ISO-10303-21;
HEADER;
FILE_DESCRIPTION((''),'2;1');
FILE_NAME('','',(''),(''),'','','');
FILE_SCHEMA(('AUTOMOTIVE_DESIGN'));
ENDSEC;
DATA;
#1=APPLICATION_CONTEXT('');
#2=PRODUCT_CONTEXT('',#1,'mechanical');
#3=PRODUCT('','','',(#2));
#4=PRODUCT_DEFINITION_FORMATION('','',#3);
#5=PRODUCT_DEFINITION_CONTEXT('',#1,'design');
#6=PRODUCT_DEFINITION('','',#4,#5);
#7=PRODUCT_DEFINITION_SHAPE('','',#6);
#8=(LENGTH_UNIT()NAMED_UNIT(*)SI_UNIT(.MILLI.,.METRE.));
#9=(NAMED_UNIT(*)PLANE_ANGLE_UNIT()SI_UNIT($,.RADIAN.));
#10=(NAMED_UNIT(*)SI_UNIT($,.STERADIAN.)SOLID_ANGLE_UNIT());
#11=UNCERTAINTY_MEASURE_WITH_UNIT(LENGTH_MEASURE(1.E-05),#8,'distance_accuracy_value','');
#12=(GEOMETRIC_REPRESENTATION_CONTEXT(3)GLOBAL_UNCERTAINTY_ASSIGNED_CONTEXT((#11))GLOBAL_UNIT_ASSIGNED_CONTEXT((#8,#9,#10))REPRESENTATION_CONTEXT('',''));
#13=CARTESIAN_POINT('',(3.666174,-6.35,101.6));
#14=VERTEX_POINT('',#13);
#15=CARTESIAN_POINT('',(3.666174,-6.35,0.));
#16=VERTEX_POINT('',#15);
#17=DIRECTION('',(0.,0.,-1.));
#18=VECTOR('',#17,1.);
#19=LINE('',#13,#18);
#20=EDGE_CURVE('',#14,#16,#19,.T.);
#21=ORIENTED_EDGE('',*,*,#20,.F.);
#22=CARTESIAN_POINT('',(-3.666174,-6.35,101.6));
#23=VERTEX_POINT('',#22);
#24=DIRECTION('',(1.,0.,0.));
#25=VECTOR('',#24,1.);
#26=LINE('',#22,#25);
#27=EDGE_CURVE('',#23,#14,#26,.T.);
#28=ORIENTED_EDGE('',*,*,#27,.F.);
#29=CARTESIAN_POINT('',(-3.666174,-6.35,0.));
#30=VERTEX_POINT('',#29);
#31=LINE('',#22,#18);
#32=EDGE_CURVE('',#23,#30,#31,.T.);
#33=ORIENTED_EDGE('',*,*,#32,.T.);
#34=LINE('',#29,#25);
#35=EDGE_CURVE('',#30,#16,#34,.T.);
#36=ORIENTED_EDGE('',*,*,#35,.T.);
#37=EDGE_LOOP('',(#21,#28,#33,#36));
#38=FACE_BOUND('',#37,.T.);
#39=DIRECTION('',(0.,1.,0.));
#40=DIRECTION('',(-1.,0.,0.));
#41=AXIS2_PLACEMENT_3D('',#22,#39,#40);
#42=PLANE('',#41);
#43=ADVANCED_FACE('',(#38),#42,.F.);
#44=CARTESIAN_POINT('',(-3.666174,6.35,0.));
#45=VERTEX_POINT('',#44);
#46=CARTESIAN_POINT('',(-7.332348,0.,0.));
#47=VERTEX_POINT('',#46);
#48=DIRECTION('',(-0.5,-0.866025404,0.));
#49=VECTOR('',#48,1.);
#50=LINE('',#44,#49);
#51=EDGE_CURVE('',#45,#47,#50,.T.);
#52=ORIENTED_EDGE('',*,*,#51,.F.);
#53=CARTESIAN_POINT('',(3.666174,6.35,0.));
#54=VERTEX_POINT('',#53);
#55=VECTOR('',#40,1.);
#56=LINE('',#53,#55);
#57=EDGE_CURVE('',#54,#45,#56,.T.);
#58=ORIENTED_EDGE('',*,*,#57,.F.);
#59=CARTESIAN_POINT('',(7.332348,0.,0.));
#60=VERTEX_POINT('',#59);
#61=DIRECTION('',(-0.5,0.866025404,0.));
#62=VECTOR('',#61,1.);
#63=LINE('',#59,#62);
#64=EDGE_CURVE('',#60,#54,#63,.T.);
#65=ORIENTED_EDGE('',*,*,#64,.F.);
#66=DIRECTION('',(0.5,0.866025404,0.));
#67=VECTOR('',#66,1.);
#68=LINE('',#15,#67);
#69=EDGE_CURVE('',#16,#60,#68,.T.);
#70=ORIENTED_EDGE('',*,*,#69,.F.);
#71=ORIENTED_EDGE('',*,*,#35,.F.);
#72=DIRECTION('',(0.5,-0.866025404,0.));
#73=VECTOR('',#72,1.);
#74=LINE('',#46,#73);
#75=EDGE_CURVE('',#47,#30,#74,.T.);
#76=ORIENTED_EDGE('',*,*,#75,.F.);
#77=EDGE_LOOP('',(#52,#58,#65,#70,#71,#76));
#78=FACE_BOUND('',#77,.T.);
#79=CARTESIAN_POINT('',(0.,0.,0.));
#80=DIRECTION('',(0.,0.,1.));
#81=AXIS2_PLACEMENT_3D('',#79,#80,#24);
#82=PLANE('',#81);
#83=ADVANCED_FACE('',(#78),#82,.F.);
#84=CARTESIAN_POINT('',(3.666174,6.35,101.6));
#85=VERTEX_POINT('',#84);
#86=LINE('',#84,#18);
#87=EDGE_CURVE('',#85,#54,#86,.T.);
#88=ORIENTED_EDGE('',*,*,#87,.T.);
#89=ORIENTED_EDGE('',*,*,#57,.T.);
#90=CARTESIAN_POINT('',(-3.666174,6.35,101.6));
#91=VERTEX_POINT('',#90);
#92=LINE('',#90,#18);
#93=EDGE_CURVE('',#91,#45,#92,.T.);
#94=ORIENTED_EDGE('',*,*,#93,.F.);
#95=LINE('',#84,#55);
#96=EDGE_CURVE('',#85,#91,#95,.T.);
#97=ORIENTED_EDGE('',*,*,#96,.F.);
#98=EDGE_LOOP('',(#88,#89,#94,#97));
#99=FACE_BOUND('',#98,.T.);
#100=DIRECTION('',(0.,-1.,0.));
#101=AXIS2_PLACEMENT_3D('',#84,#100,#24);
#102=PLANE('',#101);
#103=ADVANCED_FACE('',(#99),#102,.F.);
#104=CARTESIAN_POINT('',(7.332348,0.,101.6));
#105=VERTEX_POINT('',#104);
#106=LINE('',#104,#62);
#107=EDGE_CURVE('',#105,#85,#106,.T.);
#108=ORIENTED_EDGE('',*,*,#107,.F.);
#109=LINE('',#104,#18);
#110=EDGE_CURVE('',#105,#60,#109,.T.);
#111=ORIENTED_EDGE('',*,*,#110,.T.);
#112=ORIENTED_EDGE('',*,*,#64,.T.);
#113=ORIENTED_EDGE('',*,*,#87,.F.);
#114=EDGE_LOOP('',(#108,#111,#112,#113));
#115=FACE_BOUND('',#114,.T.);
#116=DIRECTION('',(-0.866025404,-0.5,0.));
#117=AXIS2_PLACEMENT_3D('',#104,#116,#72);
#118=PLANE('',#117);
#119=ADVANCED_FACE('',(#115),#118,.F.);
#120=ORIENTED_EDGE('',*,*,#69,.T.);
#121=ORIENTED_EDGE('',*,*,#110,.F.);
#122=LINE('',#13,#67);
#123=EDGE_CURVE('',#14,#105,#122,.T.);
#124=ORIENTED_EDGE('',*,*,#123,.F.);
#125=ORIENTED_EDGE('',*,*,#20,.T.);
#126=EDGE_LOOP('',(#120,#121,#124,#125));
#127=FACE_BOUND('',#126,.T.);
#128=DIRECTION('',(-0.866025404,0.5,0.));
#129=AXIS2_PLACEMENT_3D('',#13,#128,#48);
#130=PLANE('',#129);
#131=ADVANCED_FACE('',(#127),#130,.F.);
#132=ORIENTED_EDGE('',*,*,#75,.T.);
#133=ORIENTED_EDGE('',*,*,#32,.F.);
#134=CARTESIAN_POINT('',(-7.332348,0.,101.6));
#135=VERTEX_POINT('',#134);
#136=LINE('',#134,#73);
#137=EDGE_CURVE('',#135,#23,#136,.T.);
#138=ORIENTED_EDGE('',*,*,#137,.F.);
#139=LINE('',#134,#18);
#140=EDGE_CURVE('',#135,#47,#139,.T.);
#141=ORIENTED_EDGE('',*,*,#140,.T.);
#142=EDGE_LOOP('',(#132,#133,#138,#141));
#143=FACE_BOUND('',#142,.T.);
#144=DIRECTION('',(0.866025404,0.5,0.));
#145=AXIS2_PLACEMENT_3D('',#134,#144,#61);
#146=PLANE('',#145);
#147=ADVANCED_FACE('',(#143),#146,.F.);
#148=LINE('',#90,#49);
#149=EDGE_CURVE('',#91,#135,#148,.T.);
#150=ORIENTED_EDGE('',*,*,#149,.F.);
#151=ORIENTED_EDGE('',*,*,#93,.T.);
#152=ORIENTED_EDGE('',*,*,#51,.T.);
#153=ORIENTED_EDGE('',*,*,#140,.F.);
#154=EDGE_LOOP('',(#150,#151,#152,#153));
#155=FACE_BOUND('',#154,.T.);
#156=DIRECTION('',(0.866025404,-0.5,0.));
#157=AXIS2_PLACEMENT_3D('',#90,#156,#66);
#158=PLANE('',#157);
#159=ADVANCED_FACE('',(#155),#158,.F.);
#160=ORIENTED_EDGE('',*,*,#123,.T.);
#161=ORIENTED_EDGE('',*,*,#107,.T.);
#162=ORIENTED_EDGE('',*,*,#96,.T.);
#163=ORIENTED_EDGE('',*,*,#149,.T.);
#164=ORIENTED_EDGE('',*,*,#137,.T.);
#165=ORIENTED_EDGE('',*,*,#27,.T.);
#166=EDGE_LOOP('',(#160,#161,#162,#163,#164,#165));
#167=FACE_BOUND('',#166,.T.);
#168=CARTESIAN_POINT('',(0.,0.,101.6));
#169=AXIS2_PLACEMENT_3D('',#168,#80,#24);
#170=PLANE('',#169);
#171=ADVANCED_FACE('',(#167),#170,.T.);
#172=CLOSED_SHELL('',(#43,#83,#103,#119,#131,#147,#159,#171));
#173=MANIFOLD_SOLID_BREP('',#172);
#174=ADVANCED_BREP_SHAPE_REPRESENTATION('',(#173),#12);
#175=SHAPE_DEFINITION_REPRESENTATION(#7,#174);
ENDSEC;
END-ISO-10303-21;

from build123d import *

# Parameters (mm, degrees)
BOSS_EXTRUDE1_DEPTH = 101.6


with BuildPart() as part:
    # Sketch1 → Boss-Extrude1 (new body)
    with BuildSketch(Plane.XY):
        Polygon((7.332348419, 0), (3.666174209, 6.35), (-3.666174209, 6.35), (-7.332348419, 0), (-3.666174209, -6.35), (3.666174209, -6.35), align=None)
    extrude(amount=BOSS_EXTRUDE1_DEPTH)


solid = part.part
